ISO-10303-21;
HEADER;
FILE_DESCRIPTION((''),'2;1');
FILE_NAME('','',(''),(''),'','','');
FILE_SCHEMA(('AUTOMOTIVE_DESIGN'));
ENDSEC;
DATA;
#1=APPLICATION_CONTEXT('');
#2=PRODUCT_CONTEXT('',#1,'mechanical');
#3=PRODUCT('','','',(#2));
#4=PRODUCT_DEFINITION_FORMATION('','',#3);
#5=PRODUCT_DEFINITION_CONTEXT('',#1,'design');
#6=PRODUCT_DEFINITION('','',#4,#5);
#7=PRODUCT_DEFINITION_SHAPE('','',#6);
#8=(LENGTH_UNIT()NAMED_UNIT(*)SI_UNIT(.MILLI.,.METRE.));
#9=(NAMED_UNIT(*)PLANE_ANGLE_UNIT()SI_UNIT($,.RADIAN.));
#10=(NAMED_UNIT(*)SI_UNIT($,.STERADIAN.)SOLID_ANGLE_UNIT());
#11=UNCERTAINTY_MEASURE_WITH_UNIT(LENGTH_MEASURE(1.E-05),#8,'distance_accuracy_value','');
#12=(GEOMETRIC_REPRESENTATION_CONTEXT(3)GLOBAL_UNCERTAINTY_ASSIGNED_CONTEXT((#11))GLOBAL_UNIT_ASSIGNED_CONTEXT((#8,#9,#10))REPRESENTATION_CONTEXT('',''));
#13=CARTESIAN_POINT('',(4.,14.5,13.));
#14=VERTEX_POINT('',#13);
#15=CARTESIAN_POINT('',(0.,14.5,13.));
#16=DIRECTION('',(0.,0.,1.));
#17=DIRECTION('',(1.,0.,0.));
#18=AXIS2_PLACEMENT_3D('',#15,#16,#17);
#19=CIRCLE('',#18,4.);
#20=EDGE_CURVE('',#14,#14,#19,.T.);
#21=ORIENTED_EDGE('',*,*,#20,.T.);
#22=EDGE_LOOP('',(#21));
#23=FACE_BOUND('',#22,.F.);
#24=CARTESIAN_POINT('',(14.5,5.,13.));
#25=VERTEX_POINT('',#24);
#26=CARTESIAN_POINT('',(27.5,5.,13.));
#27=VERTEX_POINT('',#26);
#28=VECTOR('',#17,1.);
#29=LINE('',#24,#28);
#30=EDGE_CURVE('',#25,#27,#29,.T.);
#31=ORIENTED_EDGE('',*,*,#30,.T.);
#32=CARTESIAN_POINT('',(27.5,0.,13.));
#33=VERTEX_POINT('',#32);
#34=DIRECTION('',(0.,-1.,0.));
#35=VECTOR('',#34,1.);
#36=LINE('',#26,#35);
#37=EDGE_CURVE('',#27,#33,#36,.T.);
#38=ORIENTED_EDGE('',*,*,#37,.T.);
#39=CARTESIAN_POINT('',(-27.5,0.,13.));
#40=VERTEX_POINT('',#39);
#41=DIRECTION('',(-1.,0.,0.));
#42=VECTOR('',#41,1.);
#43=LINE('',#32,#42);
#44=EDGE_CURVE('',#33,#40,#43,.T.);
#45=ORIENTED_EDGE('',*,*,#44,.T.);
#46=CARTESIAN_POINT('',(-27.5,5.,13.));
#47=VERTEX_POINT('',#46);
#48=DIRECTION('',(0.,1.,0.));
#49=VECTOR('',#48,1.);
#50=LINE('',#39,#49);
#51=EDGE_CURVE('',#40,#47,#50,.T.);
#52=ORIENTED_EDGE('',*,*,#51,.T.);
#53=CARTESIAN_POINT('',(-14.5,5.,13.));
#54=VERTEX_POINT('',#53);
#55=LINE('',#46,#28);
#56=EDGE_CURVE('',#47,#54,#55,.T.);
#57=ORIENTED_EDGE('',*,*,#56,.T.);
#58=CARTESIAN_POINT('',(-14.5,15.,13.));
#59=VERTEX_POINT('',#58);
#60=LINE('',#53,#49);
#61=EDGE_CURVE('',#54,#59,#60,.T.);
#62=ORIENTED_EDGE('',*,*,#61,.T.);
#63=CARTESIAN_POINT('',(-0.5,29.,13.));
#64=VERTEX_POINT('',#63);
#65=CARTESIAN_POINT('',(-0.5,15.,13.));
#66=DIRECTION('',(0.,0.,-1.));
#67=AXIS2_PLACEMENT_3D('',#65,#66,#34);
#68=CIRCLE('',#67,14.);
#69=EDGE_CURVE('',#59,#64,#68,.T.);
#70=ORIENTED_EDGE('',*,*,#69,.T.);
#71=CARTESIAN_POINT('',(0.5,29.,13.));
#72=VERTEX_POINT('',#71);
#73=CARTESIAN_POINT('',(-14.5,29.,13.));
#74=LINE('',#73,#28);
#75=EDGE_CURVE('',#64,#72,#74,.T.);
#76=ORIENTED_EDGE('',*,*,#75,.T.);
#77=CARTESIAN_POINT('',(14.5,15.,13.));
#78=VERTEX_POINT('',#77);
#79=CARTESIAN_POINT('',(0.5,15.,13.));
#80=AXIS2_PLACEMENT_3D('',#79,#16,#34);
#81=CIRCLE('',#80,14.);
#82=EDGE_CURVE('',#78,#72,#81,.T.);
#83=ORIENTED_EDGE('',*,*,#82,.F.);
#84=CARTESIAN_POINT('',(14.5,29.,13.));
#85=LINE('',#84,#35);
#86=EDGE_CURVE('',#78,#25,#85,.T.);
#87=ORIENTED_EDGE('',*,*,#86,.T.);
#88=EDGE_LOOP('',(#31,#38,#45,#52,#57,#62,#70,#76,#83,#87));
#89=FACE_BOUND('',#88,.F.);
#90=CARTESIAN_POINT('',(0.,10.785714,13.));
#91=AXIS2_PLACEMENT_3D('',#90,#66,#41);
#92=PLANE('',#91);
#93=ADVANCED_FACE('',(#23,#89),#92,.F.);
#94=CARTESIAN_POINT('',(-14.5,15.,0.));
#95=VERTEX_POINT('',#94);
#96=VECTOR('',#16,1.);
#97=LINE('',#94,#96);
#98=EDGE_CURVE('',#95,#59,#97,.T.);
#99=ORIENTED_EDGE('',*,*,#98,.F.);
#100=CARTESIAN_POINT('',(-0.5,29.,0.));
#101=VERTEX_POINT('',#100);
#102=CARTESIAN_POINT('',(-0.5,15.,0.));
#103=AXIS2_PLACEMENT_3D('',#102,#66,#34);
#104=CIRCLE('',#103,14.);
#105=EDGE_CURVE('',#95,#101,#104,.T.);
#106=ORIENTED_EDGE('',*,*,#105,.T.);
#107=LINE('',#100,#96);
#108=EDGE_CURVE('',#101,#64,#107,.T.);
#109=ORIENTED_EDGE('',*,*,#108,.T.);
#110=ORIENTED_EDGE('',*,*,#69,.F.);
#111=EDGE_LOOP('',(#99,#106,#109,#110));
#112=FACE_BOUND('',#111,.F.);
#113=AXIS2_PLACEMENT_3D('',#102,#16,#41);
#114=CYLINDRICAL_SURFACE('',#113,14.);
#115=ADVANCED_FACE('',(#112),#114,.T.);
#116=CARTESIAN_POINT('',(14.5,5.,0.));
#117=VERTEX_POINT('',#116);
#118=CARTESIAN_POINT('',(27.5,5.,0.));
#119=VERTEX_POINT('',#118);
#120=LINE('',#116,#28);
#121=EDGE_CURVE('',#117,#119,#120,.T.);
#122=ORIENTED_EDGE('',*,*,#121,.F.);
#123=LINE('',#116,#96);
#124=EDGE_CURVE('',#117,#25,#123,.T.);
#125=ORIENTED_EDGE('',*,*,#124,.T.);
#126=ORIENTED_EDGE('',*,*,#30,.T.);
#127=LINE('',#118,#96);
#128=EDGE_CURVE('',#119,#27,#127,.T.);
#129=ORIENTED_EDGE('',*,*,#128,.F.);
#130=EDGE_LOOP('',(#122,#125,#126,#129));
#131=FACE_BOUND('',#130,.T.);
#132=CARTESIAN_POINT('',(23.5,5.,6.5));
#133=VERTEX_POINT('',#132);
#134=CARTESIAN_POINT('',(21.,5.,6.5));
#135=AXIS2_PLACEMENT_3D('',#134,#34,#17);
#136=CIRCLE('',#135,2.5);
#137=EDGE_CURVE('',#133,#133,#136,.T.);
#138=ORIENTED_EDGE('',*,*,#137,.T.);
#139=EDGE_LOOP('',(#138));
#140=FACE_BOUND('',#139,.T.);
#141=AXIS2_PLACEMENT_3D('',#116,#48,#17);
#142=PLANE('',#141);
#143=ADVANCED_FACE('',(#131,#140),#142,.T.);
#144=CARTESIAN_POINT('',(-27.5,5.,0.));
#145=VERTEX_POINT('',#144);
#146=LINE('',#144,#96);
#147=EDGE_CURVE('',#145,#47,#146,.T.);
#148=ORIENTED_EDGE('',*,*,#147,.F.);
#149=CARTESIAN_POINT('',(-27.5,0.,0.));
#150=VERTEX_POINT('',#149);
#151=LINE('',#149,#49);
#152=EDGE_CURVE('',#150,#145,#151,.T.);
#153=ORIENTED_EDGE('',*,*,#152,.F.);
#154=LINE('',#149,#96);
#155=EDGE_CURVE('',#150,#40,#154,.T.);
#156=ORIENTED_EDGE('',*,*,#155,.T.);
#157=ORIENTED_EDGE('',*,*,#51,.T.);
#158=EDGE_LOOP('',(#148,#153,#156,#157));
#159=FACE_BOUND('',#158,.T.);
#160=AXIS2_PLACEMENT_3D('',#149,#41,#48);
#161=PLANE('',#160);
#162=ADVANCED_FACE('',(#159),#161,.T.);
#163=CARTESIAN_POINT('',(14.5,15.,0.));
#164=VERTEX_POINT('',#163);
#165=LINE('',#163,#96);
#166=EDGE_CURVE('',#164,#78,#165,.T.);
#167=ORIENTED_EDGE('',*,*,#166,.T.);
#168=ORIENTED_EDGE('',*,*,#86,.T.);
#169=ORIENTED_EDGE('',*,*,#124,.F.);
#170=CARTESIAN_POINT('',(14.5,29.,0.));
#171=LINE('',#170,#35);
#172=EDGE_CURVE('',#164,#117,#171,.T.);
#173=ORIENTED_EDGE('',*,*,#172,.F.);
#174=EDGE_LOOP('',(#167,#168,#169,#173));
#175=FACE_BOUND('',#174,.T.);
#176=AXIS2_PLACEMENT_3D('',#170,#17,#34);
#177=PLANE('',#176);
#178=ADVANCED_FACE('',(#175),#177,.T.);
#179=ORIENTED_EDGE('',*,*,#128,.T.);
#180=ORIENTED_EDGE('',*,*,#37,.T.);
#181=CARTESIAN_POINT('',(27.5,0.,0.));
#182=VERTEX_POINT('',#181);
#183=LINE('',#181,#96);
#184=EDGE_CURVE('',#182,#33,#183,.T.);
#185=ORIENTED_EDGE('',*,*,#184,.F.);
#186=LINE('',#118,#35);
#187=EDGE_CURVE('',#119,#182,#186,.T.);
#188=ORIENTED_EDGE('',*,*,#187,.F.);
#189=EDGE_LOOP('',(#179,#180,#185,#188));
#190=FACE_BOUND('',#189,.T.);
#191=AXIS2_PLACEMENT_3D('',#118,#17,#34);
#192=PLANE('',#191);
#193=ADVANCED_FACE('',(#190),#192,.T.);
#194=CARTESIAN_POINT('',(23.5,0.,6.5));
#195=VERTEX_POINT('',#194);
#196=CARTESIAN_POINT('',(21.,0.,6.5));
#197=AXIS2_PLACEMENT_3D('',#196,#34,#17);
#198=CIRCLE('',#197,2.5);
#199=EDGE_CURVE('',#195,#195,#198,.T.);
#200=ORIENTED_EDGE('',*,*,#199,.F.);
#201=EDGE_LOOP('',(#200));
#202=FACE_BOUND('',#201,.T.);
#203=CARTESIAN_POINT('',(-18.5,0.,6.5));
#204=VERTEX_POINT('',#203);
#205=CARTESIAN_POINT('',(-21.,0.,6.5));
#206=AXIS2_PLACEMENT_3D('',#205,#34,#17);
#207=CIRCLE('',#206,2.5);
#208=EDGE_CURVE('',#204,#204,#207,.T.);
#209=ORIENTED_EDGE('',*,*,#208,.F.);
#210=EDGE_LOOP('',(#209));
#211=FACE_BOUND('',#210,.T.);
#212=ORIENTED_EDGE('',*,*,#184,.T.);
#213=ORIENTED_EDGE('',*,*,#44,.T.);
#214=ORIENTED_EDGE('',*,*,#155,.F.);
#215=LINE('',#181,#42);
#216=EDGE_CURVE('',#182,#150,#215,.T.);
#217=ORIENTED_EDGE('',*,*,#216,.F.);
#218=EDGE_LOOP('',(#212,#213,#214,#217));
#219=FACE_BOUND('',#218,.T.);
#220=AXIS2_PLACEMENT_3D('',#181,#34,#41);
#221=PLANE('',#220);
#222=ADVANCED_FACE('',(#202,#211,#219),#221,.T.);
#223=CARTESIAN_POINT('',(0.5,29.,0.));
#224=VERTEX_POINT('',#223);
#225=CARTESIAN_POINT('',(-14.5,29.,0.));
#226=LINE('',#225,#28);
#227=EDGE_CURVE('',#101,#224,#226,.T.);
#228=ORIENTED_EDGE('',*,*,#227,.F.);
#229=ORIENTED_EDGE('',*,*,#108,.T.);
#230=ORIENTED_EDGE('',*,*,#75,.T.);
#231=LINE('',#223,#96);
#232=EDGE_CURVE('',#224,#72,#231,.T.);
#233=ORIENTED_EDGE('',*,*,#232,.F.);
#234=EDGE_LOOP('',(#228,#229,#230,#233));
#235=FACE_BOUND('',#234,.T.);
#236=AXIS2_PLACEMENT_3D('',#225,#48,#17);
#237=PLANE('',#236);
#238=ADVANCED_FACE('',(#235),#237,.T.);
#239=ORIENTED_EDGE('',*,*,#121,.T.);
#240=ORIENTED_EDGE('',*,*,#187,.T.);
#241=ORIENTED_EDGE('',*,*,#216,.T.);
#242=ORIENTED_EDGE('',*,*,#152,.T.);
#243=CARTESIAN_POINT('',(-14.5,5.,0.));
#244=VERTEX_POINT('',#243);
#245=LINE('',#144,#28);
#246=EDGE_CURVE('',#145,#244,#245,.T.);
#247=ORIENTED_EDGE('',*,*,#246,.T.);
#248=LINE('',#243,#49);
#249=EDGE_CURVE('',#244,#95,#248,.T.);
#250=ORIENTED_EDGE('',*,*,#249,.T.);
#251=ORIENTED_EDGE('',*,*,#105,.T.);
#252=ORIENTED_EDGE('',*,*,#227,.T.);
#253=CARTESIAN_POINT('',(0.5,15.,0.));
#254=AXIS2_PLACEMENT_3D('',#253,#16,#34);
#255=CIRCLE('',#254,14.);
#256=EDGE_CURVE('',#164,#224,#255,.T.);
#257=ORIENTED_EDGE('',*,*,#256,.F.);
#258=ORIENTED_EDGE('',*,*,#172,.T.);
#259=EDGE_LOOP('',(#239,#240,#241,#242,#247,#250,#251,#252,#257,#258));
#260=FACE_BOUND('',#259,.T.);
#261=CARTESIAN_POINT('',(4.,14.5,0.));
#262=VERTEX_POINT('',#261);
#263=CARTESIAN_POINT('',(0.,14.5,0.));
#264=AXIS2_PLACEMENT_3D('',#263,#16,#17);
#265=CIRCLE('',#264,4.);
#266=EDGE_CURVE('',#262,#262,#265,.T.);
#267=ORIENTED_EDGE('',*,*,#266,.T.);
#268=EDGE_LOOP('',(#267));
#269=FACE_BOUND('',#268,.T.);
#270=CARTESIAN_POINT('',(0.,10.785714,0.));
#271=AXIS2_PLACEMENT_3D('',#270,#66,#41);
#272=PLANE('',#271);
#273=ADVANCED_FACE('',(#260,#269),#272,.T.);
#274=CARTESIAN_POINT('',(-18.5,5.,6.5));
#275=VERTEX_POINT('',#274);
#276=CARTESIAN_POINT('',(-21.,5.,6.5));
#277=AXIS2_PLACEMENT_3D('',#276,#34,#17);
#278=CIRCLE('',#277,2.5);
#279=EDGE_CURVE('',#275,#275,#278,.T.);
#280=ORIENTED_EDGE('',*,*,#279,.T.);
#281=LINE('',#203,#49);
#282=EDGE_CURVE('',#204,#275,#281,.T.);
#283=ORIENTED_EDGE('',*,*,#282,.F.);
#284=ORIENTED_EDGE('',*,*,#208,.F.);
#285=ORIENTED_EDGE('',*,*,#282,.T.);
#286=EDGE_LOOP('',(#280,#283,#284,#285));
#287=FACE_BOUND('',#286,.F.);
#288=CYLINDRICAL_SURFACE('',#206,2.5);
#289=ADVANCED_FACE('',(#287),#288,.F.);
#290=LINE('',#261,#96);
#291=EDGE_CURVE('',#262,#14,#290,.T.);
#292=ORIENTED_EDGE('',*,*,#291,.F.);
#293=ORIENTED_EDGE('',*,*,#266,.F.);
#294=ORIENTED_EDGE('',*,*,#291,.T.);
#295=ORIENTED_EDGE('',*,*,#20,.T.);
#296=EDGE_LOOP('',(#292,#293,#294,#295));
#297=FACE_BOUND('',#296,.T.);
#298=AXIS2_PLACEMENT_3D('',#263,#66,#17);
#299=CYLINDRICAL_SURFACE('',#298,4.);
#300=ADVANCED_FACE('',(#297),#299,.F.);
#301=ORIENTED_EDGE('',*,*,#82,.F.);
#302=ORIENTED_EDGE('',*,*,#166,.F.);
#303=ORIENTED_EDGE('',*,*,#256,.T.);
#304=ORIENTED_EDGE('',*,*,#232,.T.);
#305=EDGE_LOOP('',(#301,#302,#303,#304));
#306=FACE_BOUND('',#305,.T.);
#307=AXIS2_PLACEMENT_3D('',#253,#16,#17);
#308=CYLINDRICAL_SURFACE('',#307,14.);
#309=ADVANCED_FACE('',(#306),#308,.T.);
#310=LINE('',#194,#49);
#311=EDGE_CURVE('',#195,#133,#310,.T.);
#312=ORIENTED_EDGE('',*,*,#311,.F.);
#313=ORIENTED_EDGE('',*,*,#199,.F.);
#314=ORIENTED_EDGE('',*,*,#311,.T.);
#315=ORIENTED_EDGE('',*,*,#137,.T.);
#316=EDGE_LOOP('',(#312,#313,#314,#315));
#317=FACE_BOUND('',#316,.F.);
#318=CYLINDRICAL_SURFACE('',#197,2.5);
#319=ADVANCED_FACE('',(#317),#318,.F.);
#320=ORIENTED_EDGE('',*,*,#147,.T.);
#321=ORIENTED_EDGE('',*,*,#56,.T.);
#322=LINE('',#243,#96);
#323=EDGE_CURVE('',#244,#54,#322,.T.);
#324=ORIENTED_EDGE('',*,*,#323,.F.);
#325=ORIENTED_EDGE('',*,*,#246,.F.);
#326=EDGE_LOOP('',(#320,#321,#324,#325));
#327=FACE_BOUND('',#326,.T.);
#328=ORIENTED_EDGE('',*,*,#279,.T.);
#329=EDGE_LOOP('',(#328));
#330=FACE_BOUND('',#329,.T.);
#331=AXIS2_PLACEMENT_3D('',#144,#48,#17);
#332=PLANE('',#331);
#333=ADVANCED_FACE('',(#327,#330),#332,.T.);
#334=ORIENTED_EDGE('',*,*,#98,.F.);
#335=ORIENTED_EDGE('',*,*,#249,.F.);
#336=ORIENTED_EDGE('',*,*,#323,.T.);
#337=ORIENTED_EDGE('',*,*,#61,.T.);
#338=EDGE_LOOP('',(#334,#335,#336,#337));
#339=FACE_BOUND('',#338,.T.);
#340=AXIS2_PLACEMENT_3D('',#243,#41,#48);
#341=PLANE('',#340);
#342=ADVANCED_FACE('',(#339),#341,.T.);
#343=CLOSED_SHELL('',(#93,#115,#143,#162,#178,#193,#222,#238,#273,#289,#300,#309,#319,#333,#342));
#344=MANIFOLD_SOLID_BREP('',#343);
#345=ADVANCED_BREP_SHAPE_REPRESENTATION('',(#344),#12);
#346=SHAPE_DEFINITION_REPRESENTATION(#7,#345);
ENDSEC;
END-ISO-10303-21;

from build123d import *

# Parameters (mm, degrees)
SKETCH_R     = 4
PAD_DEPTH    = 13
SKETCH001_R  = 2.5
POCKET_DEPTH = 5
FILLET_R     = 14


with BuildPart() as part:
    # Sketch → Pad (new body)
    with BuildSketch(Plane.XY):
        Polygon((27.5, 0), (-27.5, 0), (-27.5, 5), (-14.5, 5), (-14.5, 29), (14.5, 29), (14.5, 5), (27.5, 5), align=None)
        with Locations((0, 14.5)):
            Circle(SKETCH_R, mode=Mode.SUBTRACT)
    extrude(amount=PAD_DEPTH)

    # Sketch001 → Pocket (cut)
    with BuildSketch(Plane.XZ):
        with Locations((-21, 6.5)):
            Circle(SKETCH001_R)
        with Locations((21, 6.5)):
            Circle(SKETCH001_R)
    extrude(amount=-POCKET_DEPTH, mode=Mode.SUBTRACT)

    # Fillet
    fillet_edges = [part.edges().sort_by_distance(p)[0] for p in [
        (-14.5, 29, 6.5),
        (14.5, 29, 6.5),
    ]]
    fillet(fillet_edges, radius=FILLET_R)


solid = part.part
